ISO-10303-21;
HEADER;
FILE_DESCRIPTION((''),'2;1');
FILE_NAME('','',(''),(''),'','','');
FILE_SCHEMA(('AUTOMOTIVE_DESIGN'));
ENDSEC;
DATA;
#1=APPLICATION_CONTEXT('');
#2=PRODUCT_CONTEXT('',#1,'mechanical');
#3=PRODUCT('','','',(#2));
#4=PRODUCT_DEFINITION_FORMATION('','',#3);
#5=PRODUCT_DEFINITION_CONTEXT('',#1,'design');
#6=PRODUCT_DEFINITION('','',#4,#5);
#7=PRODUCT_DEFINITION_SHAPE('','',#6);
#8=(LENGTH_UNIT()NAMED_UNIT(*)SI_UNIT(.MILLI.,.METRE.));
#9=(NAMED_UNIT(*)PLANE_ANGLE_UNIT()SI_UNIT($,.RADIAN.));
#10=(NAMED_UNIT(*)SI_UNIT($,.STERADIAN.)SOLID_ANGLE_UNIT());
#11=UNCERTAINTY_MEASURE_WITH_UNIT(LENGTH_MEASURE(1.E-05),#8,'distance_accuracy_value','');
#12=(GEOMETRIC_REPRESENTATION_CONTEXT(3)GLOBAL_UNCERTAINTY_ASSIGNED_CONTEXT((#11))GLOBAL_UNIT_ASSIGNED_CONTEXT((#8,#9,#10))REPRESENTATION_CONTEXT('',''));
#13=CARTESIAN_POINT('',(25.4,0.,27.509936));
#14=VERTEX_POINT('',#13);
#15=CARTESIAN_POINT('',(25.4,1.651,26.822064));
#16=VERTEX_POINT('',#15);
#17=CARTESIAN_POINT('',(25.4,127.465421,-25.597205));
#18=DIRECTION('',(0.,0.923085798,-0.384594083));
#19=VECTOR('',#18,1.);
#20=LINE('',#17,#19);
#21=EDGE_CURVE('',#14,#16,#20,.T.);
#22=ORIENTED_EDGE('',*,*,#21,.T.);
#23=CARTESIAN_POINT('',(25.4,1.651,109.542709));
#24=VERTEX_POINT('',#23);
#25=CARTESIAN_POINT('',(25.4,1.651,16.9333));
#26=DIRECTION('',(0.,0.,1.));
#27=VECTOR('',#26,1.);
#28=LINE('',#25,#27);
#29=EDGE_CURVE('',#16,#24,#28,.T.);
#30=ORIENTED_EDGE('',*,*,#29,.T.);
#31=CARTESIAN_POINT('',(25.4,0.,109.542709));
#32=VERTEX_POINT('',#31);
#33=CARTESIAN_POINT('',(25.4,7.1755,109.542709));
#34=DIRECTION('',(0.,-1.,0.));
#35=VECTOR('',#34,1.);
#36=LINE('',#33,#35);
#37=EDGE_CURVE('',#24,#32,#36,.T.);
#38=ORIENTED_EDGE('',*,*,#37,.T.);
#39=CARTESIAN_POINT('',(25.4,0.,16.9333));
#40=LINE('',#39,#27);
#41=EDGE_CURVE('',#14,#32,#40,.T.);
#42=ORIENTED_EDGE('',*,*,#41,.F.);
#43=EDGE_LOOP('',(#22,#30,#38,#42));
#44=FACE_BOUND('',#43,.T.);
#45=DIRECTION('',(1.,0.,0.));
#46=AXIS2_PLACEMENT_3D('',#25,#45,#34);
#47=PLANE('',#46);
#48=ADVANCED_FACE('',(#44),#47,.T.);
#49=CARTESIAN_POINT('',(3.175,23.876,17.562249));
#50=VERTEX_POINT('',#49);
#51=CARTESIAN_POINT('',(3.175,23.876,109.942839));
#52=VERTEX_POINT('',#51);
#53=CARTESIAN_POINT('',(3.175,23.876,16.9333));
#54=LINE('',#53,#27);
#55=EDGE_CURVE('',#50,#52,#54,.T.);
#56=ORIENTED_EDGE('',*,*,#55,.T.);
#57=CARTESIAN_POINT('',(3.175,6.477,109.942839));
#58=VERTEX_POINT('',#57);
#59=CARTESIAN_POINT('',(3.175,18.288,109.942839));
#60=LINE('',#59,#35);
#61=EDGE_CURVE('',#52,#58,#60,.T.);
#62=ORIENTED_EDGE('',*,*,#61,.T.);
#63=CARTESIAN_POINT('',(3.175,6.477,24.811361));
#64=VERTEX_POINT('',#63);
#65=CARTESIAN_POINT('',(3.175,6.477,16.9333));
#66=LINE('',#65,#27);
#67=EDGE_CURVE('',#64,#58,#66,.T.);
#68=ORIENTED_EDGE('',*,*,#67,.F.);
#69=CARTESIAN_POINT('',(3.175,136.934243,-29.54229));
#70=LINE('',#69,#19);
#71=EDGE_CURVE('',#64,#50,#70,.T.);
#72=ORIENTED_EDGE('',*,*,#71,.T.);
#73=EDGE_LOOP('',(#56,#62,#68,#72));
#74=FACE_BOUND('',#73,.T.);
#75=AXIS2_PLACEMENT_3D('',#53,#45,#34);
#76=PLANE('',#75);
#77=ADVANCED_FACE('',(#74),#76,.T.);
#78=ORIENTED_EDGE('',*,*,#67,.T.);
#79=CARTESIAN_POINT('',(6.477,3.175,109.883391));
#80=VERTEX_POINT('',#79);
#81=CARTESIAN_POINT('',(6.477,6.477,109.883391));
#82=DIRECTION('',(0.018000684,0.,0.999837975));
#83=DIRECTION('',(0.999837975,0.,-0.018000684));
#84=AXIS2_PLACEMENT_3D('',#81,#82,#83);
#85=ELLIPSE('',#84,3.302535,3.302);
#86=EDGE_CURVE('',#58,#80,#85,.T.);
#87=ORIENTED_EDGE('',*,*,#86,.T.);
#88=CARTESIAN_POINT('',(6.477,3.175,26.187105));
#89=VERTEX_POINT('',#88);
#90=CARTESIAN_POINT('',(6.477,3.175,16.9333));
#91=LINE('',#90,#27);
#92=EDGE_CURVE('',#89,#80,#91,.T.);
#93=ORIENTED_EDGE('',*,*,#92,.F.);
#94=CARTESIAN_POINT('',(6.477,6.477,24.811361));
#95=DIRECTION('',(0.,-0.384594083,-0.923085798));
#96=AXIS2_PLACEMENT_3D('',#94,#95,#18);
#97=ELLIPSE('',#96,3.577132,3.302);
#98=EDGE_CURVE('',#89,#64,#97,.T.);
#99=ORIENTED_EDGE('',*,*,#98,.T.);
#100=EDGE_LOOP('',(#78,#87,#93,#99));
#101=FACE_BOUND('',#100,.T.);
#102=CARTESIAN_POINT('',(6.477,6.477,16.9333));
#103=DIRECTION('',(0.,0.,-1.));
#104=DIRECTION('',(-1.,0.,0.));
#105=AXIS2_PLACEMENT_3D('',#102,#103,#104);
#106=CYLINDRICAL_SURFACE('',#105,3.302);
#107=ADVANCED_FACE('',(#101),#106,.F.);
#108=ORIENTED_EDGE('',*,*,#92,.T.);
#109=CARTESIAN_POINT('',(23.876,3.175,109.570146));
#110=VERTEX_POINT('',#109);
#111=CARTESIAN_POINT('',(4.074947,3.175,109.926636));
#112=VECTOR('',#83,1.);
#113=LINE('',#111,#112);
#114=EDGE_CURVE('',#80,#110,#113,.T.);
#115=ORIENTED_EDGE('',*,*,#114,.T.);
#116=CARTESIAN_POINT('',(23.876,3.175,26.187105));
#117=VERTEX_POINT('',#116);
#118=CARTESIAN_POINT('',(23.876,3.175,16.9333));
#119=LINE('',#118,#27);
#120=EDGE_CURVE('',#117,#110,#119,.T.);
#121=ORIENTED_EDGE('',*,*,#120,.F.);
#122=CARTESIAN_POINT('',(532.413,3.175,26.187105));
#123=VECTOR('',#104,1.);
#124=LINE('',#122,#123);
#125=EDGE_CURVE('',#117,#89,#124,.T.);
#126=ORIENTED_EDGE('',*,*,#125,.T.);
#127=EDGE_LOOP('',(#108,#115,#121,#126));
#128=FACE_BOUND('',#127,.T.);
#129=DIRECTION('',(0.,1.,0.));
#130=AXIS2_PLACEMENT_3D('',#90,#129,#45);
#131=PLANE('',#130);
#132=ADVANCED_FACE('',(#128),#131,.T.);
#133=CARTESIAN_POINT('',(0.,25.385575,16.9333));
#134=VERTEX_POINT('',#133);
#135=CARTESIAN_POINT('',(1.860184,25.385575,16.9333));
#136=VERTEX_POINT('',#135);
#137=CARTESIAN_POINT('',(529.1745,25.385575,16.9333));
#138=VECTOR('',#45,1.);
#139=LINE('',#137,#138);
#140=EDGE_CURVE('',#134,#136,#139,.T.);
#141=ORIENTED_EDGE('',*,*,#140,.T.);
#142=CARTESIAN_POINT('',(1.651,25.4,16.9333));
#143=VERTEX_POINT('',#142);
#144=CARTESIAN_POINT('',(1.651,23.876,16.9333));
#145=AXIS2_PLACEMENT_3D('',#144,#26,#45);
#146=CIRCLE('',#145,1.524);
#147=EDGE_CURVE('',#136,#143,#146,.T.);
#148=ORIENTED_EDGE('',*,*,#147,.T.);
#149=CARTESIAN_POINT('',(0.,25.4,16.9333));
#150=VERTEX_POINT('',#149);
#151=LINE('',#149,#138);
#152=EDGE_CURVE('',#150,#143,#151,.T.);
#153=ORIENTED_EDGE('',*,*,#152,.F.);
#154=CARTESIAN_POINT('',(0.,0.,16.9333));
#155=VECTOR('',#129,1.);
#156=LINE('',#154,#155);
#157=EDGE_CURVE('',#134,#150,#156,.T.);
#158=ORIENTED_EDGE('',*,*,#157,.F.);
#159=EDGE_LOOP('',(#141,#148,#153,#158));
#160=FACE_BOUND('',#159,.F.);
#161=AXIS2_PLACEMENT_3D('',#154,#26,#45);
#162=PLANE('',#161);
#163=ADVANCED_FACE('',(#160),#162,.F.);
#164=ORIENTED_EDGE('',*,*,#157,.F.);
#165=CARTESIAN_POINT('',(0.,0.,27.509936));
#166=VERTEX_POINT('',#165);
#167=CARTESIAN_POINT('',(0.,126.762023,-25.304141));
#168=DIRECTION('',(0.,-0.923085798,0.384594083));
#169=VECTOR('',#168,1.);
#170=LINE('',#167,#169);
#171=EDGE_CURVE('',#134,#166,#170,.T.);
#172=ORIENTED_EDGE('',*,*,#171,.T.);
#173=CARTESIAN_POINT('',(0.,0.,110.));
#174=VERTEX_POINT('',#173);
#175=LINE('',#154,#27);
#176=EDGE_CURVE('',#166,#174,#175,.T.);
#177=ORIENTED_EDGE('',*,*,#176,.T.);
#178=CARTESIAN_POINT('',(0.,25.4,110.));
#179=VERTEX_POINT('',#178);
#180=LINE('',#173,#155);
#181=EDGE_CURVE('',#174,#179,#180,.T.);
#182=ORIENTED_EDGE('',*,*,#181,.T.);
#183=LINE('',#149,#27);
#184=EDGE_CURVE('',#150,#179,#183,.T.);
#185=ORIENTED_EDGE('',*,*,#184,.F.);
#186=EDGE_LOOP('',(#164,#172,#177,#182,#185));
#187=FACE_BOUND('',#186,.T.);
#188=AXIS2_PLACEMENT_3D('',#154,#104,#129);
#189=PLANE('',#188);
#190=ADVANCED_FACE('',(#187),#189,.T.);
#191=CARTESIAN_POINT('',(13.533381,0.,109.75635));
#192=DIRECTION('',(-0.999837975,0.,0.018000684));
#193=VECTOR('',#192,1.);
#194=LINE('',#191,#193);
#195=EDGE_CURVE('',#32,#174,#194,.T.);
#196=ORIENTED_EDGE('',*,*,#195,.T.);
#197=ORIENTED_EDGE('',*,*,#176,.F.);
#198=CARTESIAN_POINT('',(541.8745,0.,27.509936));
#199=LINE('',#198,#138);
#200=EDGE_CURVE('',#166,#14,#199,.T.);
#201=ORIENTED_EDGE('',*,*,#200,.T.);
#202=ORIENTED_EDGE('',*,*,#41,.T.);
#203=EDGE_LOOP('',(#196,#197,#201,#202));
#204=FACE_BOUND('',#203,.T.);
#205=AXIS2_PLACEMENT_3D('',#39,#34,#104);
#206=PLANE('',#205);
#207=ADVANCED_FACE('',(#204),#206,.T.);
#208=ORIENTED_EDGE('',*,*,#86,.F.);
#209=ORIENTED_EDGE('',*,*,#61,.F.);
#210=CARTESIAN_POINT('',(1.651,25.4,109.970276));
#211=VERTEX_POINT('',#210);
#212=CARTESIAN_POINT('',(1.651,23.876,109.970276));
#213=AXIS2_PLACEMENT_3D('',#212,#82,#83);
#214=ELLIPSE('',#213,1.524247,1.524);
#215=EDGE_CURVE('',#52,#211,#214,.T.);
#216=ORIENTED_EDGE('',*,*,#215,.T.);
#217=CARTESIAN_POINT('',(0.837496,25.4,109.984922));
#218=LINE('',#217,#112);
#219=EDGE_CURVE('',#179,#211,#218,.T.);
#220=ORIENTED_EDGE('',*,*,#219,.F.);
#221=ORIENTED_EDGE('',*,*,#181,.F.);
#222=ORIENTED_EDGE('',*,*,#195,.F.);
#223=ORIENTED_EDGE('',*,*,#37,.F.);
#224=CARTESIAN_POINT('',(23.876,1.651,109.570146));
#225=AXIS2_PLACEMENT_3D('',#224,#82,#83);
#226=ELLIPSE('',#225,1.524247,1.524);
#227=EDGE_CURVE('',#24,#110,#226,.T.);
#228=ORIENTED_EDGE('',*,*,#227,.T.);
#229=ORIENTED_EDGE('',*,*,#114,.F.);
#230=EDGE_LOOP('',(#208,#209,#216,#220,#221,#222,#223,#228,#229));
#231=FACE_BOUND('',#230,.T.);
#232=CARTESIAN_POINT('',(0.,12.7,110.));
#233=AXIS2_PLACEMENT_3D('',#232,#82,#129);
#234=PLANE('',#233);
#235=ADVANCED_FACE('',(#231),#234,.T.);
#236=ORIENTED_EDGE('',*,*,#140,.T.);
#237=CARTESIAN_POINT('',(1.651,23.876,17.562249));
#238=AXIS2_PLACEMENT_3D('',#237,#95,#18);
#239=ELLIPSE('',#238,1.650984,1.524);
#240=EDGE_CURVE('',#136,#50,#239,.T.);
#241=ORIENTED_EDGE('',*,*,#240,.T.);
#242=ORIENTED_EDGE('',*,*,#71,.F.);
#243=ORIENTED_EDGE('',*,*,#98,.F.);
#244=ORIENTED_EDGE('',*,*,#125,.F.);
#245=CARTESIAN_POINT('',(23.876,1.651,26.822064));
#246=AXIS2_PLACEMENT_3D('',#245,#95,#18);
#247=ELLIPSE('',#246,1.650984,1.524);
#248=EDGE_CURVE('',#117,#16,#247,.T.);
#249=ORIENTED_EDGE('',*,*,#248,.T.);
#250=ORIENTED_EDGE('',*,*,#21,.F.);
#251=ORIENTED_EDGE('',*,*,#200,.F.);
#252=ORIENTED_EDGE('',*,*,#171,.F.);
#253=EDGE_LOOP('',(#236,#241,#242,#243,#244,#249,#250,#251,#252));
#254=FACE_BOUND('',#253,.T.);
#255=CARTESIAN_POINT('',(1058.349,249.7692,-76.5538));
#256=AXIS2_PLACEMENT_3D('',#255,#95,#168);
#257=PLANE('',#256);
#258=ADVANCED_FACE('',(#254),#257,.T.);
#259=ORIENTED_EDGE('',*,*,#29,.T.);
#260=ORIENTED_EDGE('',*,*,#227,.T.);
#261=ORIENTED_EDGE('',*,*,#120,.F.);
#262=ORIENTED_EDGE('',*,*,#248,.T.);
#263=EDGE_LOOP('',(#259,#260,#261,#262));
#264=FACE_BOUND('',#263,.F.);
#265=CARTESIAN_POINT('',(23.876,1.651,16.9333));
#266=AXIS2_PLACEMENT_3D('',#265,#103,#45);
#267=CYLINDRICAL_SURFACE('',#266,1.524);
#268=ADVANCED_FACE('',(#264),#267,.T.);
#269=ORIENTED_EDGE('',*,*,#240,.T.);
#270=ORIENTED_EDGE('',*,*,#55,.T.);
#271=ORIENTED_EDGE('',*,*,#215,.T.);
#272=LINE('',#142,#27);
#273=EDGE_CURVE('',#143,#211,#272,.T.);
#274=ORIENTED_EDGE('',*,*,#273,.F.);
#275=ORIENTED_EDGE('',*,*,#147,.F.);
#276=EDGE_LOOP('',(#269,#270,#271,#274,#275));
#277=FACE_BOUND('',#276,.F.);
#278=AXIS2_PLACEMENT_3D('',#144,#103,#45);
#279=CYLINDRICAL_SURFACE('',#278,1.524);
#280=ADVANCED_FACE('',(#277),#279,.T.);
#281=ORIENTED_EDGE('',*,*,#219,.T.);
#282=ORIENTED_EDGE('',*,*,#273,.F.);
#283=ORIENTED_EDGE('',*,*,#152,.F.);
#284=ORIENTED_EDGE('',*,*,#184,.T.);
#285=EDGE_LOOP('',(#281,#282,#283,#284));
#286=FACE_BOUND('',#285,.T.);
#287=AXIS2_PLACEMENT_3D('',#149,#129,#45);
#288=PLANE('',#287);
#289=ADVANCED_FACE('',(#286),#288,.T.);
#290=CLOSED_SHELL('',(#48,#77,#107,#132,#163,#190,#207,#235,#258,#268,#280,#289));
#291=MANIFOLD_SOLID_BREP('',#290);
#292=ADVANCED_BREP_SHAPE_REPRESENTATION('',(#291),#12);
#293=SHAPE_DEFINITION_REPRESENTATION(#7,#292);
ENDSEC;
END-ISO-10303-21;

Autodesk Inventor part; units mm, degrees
ref_plane "Start Plane" through (0, 0, 16.9333) normal (0, 0, 1) x (1, 0, 0)
ref_plane "End Plane" through (0, 0, 110) normal (0, 0, 1) x (1, 0, 0)
sketch "Sketch" plane through (0, 0, 0) normal (0, 0, 1) x (1, 0, 0)
  line L0 (25.4, 0) -> (0, 0)
  line L1 (0, 0) -> (0, 25.4)
  line L2 (0, 25.4) -> (1.651, 25.4)
  line L3 (3.175, 23.876) -> (3.175, 6.477)
  line L4 (6.477, 3.175) -> (23.876, 3.175)
  line L5 (25.4, 1.651) -> (25.4, 0)
  line L6 (0, -11.0414) -> (0, 31.5385) construction
  line L7 (-11.0414, 0) -> (31.5385, 0) construction
  arc A0 (3.175, 6.477) -> (6.477, 3.175) centre (6.477, 6.477) ccw
  arc A1 (3.175, 23.876) -> (1.651, 25.4) centre (1.651, 23.876) ccw
  arc A2 (25.4, 1.651) -> (23.876, 3.175) centre (23.876, 1.651) ccw
  line L8 (0, 40.0545) -> (0, -19.5574) construction
  line L9 (-19.5574, 0) -> (40.0545, 0) construction
  point P0 (3.175, 25.4)
  point P1 (3.175, 3.175)
  point P2 (25.4, 3.175)
  dimension "d0" = 25.4
  dimension "d1" = 25.4
  dimension "d2" = 3.175
  dimension "d3" = 3.175
  dimension "d10" = 0
  dimension "d11" = 0
  dimension "d14" = 3.302
  dimension "d15" = 1.524
extrude "Body" add sketch "Sketch" along normal up to surface (93.0667 mm away) from surface at 16.9333
sketch "Sketch3" plane through (0, 0, 0) normal (0, 0, 1) x (1, 0, 0)
  line L0 (0, 0) -> (10, 0)
ref_plane "Work Plane3" through (0, 0, 0) normal (0, -1, 0) x (1, 0, 0)
ref_plane "Work Plane4" through (0, 12.7, 110) normal (0.018, 0, 0.9998) x (0.9998, 0, -0.018)
split "Split1" plane through (0, 12.7, 110) removes the side toward (0.018, 0, 0.9998)
ref_plane "Work Plane5" through (1058.349, 249.7692, -76.5538) normal (0, -0.3846, -0.9231) x (1, 0, 0)
split "Split2" plane through (1058.349, 249.7692, -76.5538) removes the side toward (0, -0.3846, -0.9231)
sketch "Sketch4" plane through (0, 0, 0) normal (0, -1, 0) x (1, 0, 0)
  line L0 (-2, 16.9333) -> (12, 16.9333) projected
  line L1 (-2, 110) -> (12, 110) projected
  dimension "d17" = 93.0667
equation "\"d0\" = G_H"
equation "\"d1\" = G_H"
equation "\"d2\" = G_T"
equation "\"d3\" = G_T"
equation "\"d14\" = G_IR"
equation "\"d15\" = G_ER"
equation "\"d4\" = G_L"
equation "\"G_H\" = 25.4"
equation "\"G_T\" = 3.175"
equation "\"G_ER\" = 1.524"
equation "\"G_IR\" = 3.302"
equation "\"G_L\" = d17"
equation "\"ex\" = 0"
equation "\"G_OFFSET_START\" = -16.93333"
equation "\"G_OFFSET_END\" = 0"
equation "\"d12\" = -G_OFFSET_START"
equation "\"d13\" = G_OFFSET_END + B_L"
equation "\"B_L\" = 110"
properties part number "AISC - L 1 x 1 x 1/8 - 3.664" material "Steel, Mild"
